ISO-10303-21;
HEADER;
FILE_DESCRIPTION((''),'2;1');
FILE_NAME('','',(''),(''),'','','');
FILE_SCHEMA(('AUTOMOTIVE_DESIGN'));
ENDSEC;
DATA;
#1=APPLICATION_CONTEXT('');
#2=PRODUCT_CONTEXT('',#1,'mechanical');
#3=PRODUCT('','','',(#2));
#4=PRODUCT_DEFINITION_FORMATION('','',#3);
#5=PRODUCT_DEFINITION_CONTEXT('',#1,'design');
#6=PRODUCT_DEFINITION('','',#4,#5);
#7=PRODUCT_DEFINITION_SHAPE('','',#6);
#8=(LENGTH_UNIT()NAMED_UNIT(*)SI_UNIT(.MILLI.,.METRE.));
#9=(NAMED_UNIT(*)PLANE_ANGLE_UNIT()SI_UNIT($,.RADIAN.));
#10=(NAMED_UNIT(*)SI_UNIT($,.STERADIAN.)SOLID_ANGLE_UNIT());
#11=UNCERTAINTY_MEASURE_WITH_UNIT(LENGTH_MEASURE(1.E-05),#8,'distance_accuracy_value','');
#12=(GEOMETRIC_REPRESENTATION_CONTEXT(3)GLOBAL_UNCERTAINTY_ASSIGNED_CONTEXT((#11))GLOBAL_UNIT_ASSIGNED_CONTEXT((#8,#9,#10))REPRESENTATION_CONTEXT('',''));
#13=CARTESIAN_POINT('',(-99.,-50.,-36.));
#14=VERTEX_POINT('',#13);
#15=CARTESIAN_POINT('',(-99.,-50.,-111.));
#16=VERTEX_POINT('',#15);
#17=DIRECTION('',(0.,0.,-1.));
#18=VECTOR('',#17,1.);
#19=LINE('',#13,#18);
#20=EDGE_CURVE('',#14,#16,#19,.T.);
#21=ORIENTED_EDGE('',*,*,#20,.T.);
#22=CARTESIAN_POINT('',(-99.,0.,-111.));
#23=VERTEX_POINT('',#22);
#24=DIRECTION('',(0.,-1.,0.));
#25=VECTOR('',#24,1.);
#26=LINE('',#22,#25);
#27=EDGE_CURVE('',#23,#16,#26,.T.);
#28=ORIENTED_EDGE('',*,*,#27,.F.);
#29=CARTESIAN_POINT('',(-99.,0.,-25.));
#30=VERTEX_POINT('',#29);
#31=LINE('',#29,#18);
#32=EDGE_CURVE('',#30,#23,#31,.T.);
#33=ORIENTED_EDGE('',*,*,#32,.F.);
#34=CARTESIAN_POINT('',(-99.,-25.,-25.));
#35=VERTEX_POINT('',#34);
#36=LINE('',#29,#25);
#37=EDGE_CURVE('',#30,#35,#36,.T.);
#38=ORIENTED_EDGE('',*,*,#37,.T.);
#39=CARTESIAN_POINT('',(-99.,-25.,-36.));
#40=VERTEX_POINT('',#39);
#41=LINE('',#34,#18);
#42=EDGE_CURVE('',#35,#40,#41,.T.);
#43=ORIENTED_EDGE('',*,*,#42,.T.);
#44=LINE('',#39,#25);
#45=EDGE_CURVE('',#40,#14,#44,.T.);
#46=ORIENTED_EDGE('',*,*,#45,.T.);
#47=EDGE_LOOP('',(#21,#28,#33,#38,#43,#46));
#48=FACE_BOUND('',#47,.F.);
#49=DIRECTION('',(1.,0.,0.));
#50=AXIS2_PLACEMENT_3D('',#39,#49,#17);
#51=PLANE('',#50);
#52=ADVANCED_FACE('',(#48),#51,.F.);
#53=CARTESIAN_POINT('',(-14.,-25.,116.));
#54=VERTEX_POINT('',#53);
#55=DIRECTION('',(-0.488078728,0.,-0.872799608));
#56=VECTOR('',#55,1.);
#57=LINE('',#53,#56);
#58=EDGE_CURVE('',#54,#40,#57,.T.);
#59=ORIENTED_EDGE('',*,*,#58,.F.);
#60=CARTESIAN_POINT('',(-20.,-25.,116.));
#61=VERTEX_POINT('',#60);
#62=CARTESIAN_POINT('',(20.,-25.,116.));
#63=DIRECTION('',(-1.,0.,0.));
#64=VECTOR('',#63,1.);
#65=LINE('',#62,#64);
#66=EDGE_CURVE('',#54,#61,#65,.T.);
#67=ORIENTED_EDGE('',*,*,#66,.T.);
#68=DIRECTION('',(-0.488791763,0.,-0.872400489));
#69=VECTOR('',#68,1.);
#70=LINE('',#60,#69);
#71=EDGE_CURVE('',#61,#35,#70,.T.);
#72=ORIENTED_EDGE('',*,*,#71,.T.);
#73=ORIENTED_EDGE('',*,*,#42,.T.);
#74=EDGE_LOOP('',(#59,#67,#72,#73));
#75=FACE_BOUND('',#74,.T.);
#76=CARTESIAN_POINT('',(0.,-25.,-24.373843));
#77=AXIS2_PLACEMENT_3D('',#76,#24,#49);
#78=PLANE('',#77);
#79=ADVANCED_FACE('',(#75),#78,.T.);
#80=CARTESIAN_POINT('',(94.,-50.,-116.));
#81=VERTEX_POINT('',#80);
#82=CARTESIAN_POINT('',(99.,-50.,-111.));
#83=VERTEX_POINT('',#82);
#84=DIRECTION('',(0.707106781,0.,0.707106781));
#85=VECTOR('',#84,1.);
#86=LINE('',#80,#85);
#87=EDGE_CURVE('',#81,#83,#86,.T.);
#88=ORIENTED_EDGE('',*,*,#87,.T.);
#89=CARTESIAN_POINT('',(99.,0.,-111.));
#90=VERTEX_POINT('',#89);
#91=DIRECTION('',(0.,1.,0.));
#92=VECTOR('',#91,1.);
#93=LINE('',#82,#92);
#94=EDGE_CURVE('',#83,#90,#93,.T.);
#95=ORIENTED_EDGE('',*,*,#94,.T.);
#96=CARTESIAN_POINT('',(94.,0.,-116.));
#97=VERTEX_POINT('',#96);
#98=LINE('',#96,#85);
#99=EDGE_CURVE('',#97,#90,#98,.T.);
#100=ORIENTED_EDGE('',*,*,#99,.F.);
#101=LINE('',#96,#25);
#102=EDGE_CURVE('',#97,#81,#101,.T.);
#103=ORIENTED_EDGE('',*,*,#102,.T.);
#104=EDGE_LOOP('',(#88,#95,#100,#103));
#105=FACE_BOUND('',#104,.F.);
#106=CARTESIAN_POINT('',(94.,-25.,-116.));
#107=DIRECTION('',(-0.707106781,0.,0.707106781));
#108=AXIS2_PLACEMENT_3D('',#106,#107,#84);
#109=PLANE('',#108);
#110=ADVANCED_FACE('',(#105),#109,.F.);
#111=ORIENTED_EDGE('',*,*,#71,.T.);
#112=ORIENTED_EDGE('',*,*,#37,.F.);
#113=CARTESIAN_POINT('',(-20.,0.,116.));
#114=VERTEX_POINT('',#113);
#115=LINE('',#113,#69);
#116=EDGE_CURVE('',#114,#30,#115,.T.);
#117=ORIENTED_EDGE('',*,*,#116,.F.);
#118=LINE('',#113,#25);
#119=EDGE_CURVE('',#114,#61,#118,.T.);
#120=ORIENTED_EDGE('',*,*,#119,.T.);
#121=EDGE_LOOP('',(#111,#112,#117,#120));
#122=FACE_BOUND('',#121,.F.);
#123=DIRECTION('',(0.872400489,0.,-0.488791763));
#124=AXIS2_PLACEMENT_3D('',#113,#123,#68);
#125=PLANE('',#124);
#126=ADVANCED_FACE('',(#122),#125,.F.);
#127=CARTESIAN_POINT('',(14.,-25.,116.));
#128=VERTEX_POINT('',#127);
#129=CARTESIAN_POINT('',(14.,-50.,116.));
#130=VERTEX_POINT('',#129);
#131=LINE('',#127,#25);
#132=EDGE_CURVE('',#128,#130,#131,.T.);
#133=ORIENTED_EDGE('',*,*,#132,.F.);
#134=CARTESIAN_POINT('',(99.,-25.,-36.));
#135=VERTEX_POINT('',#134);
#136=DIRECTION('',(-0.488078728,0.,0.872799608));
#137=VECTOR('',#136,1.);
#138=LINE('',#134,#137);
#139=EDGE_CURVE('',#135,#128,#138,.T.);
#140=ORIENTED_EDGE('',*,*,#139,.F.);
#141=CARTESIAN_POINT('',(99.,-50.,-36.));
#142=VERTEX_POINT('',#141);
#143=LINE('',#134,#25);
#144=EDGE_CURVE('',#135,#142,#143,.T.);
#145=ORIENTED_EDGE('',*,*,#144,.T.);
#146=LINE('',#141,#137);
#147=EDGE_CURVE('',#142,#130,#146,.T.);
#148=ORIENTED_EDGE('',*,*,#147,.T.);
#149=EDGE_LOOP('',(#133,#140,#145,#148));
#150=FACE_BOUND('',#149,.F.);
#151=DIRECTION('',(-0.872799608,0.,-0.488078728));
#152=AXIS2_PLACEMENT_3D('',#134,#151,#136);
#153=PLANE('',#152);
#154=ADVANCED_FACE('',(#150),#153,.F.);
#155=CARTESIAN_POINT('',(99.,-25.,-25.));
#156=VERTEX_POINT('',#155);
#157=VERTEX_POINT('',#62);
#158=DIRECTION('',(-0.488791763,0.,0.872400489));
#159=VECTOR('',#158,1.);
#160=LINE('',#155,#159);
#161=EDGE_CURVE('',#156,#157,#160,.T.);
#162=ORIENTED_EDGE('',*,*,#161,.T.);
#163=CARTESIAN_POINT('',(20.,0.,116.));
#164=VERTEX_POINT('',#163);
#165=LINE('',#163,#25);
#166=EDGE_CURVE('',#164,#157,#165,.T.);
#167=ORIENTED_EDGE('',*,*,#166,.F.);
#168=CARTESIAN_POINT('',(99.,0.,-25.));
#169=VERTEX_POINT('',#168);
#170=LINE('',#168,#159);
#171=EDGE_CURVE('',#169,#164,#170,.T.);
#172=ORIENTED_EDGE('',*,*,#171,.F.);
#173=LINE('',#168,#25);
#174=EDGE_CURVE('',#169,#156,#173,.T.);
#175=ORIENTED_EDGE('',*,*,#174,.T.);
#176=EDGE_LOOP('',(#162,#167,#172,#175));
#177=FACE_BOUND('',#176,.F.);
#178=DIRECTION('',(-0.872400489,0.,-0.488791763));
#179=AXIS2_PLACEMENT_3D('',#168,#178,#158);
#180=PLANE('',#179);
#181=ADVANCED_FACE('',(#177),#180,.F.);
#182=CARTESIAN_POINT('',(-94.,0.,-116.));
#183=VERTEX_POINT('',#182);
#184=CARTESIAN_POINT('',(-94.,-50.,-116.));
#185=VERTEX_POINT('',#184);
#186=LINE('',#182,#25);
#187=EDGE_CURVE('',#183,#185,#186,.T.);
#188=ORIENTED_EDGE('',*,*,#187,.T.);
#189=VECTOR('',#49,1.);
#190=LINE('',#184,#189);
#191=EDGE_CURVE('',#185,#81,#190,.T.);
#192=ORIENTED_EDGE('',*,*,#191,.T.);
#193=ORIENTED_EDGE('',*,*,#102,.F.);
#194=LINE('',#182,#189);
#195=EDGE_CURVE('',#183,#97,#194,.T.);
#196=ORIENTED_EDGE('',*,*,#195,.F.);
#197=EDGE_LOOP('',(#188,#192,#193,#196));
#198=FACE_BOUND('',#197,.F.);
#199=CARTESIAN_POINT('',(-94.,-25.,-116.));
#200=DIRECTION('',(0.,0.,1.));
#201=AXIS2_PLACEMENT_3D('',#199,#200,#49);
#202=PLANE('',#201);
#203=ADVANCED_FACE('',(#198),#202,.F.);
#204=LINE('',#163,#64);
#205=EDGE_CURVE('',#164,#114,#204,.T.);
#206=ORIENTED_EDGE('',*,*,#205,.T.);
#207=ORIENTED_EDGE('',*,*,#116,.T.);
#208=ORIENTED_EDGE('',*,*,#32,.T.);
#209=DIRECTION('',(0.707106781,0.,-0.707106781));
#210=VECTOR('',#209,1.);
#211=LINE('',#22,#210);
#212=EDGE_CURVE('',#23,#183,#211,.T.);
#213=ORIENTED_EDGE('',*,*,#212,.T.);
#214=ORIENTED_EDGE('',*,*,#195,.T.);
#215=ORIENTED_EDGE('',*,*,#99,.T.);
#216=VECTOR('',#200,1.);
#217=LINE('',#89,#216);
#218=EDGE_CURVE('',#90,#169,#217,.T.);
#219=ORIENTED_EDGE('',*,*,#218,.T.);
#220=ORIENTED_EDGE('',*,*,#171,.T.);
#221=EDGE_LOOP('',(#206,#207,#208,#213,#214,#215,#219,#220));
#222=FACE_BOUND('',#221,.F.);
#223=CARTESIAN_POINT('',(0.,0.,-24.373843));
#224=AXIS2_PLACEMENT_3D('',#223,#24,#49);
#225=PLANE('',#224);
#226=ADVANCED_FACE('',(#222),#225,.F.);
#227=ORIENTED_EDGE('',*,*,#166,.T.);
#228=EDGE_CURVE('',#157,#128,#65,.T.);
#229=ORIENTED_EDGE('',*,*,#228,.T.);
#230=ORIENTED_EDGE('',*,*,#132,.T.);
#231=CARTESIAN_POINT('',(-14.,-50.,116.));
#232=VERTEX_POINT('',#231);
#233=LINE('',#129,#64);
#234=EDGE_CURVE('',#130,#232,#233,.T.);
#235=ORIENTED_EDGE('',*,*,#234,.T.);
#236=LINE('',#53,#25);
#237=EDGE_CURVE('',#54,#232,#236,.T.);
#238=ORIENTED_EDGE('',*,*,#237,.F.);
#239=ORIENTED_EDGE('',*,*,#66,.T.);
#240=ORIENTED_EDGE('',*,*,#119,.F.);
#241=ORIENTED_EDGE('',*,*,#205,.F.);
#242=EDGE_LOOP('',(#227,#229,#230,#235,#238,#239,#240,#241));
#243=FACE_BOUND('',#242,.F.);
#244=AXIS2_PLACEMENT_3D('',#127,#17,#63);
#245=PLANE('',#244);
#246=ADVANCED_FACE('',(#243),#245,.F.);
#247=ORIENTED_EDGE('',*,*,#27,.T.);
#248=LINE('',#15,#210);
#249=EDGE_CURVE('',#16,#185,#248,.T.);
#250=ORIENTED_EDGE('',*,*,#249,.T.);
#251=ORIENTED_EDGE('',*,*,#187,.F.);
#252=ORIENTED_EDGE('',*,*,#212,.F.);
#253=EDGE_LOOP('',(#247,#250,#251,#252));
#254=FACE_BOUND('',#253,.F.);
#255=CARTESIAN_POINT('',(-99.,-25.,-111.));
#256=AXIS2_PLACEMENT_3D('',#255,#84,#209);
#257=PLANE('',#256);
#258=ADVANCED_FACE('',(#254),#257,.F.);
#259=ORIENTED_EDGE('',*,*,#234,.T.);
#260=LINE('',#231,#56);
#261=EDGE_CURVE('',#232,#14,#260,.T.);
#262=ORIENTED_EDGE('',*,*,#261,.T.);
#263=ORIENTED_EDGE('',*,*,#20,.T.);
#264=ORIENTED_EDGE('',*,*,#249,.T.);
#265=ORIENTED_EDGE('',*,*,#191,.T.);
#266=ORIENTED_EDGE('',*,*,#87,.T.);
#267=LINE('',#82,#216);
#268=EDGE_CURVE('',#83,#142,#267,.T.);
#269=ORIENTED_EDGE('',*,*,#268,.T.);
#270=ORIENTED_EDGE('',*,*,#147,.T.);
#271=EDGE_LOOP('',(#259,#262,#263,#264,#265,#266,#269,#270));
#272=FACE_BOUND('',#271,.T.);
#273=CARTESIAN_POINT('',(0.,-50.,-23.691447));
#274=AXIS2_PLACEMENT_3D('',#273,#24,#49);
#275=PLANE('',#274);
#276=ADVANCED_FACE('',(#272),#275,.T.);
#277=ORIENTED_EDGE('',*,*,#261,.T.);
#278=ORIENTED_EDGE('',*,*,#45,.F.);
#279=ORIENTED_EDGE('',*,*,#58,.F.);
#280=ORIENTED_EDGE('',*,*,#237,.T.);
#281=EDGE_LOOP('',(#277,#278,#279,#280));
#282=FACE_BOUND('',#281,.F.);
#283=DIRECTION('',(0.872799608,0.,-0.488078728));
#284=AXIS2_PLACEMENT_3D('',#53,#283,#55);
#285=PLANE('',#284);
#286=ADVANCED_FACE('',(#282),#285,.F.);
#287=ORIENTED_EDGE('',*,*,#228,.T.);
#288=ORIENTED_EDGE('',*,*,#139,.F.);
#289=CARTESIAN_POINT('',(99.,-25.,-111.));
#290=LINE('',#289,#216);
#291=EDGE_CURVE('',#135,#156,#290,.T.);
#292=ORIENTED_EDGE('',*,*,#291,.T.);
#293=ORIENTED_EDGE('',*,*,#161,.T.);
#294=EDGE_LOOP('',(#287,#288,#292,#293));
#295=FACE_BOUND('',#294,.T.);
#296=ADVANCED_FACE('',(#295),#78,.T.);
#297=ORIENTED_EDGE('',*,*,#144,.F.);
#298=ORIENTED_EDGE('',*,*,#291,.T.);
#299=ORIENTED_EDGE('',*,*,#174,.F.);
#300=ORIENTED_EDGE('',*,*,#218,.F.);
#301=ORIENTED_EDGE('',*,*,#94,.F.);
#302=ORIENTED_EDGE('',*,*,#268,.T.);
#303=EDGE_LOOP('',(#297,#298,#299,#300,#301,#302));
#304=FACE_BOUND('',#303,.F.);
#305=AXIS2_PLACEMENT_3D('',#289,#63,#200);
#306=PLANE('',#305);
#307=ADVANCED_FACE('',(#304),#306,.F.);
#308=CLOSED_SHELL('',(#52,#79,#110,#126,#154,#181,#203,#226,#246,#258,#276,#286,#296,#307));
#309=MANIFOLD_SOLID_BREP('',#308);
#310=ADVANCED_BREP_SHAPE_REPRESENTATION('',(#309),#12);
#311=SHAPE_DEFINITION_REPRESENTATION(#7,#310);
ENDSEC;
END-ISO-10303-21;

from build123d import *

# Parameters (mm, degrees)
F1_DEPTH = 25
F3_DEPTH = 25


with BuildPart() as f1:
    # F0 (on Front) → F1 (new body)
    with BuildSketch(Plane.XZ):
        Polygon((-94, -116), (94, -116), (94, -111), (99, -111), (99, -36), (14, 116), (0, 116), (-14, 116), (-99, -36), (-99, -111), (-94, -111), align=None)
        Polygon((94, -111), (94, -116), (99, -111), align=None)
        Polygon((-99, -111), (-94, -116), (-94, -111), align=None)
        Polygon((14, 116), (99, -36), (99, -30), (99, -25), (20, 116), align=None)
        Polygon((-99, -30), (-99, -36), (-14, 116), (-20, 116), (-99, -25), align=None)
    extrude(amount=F1_DEPTH)

    # F2 (on face) → F3 (join)
    with BuildSketch(Plane.XZ.offset(25)):
        Polygon((14, 116), (0, 116), (-14, 116), (-99, -36), (-99, -111), (-94, -116), (94, -116), (99, -111), (99, -36), align=None)
    extrude(amount=F3_DEPTH)


solid = f1.part
